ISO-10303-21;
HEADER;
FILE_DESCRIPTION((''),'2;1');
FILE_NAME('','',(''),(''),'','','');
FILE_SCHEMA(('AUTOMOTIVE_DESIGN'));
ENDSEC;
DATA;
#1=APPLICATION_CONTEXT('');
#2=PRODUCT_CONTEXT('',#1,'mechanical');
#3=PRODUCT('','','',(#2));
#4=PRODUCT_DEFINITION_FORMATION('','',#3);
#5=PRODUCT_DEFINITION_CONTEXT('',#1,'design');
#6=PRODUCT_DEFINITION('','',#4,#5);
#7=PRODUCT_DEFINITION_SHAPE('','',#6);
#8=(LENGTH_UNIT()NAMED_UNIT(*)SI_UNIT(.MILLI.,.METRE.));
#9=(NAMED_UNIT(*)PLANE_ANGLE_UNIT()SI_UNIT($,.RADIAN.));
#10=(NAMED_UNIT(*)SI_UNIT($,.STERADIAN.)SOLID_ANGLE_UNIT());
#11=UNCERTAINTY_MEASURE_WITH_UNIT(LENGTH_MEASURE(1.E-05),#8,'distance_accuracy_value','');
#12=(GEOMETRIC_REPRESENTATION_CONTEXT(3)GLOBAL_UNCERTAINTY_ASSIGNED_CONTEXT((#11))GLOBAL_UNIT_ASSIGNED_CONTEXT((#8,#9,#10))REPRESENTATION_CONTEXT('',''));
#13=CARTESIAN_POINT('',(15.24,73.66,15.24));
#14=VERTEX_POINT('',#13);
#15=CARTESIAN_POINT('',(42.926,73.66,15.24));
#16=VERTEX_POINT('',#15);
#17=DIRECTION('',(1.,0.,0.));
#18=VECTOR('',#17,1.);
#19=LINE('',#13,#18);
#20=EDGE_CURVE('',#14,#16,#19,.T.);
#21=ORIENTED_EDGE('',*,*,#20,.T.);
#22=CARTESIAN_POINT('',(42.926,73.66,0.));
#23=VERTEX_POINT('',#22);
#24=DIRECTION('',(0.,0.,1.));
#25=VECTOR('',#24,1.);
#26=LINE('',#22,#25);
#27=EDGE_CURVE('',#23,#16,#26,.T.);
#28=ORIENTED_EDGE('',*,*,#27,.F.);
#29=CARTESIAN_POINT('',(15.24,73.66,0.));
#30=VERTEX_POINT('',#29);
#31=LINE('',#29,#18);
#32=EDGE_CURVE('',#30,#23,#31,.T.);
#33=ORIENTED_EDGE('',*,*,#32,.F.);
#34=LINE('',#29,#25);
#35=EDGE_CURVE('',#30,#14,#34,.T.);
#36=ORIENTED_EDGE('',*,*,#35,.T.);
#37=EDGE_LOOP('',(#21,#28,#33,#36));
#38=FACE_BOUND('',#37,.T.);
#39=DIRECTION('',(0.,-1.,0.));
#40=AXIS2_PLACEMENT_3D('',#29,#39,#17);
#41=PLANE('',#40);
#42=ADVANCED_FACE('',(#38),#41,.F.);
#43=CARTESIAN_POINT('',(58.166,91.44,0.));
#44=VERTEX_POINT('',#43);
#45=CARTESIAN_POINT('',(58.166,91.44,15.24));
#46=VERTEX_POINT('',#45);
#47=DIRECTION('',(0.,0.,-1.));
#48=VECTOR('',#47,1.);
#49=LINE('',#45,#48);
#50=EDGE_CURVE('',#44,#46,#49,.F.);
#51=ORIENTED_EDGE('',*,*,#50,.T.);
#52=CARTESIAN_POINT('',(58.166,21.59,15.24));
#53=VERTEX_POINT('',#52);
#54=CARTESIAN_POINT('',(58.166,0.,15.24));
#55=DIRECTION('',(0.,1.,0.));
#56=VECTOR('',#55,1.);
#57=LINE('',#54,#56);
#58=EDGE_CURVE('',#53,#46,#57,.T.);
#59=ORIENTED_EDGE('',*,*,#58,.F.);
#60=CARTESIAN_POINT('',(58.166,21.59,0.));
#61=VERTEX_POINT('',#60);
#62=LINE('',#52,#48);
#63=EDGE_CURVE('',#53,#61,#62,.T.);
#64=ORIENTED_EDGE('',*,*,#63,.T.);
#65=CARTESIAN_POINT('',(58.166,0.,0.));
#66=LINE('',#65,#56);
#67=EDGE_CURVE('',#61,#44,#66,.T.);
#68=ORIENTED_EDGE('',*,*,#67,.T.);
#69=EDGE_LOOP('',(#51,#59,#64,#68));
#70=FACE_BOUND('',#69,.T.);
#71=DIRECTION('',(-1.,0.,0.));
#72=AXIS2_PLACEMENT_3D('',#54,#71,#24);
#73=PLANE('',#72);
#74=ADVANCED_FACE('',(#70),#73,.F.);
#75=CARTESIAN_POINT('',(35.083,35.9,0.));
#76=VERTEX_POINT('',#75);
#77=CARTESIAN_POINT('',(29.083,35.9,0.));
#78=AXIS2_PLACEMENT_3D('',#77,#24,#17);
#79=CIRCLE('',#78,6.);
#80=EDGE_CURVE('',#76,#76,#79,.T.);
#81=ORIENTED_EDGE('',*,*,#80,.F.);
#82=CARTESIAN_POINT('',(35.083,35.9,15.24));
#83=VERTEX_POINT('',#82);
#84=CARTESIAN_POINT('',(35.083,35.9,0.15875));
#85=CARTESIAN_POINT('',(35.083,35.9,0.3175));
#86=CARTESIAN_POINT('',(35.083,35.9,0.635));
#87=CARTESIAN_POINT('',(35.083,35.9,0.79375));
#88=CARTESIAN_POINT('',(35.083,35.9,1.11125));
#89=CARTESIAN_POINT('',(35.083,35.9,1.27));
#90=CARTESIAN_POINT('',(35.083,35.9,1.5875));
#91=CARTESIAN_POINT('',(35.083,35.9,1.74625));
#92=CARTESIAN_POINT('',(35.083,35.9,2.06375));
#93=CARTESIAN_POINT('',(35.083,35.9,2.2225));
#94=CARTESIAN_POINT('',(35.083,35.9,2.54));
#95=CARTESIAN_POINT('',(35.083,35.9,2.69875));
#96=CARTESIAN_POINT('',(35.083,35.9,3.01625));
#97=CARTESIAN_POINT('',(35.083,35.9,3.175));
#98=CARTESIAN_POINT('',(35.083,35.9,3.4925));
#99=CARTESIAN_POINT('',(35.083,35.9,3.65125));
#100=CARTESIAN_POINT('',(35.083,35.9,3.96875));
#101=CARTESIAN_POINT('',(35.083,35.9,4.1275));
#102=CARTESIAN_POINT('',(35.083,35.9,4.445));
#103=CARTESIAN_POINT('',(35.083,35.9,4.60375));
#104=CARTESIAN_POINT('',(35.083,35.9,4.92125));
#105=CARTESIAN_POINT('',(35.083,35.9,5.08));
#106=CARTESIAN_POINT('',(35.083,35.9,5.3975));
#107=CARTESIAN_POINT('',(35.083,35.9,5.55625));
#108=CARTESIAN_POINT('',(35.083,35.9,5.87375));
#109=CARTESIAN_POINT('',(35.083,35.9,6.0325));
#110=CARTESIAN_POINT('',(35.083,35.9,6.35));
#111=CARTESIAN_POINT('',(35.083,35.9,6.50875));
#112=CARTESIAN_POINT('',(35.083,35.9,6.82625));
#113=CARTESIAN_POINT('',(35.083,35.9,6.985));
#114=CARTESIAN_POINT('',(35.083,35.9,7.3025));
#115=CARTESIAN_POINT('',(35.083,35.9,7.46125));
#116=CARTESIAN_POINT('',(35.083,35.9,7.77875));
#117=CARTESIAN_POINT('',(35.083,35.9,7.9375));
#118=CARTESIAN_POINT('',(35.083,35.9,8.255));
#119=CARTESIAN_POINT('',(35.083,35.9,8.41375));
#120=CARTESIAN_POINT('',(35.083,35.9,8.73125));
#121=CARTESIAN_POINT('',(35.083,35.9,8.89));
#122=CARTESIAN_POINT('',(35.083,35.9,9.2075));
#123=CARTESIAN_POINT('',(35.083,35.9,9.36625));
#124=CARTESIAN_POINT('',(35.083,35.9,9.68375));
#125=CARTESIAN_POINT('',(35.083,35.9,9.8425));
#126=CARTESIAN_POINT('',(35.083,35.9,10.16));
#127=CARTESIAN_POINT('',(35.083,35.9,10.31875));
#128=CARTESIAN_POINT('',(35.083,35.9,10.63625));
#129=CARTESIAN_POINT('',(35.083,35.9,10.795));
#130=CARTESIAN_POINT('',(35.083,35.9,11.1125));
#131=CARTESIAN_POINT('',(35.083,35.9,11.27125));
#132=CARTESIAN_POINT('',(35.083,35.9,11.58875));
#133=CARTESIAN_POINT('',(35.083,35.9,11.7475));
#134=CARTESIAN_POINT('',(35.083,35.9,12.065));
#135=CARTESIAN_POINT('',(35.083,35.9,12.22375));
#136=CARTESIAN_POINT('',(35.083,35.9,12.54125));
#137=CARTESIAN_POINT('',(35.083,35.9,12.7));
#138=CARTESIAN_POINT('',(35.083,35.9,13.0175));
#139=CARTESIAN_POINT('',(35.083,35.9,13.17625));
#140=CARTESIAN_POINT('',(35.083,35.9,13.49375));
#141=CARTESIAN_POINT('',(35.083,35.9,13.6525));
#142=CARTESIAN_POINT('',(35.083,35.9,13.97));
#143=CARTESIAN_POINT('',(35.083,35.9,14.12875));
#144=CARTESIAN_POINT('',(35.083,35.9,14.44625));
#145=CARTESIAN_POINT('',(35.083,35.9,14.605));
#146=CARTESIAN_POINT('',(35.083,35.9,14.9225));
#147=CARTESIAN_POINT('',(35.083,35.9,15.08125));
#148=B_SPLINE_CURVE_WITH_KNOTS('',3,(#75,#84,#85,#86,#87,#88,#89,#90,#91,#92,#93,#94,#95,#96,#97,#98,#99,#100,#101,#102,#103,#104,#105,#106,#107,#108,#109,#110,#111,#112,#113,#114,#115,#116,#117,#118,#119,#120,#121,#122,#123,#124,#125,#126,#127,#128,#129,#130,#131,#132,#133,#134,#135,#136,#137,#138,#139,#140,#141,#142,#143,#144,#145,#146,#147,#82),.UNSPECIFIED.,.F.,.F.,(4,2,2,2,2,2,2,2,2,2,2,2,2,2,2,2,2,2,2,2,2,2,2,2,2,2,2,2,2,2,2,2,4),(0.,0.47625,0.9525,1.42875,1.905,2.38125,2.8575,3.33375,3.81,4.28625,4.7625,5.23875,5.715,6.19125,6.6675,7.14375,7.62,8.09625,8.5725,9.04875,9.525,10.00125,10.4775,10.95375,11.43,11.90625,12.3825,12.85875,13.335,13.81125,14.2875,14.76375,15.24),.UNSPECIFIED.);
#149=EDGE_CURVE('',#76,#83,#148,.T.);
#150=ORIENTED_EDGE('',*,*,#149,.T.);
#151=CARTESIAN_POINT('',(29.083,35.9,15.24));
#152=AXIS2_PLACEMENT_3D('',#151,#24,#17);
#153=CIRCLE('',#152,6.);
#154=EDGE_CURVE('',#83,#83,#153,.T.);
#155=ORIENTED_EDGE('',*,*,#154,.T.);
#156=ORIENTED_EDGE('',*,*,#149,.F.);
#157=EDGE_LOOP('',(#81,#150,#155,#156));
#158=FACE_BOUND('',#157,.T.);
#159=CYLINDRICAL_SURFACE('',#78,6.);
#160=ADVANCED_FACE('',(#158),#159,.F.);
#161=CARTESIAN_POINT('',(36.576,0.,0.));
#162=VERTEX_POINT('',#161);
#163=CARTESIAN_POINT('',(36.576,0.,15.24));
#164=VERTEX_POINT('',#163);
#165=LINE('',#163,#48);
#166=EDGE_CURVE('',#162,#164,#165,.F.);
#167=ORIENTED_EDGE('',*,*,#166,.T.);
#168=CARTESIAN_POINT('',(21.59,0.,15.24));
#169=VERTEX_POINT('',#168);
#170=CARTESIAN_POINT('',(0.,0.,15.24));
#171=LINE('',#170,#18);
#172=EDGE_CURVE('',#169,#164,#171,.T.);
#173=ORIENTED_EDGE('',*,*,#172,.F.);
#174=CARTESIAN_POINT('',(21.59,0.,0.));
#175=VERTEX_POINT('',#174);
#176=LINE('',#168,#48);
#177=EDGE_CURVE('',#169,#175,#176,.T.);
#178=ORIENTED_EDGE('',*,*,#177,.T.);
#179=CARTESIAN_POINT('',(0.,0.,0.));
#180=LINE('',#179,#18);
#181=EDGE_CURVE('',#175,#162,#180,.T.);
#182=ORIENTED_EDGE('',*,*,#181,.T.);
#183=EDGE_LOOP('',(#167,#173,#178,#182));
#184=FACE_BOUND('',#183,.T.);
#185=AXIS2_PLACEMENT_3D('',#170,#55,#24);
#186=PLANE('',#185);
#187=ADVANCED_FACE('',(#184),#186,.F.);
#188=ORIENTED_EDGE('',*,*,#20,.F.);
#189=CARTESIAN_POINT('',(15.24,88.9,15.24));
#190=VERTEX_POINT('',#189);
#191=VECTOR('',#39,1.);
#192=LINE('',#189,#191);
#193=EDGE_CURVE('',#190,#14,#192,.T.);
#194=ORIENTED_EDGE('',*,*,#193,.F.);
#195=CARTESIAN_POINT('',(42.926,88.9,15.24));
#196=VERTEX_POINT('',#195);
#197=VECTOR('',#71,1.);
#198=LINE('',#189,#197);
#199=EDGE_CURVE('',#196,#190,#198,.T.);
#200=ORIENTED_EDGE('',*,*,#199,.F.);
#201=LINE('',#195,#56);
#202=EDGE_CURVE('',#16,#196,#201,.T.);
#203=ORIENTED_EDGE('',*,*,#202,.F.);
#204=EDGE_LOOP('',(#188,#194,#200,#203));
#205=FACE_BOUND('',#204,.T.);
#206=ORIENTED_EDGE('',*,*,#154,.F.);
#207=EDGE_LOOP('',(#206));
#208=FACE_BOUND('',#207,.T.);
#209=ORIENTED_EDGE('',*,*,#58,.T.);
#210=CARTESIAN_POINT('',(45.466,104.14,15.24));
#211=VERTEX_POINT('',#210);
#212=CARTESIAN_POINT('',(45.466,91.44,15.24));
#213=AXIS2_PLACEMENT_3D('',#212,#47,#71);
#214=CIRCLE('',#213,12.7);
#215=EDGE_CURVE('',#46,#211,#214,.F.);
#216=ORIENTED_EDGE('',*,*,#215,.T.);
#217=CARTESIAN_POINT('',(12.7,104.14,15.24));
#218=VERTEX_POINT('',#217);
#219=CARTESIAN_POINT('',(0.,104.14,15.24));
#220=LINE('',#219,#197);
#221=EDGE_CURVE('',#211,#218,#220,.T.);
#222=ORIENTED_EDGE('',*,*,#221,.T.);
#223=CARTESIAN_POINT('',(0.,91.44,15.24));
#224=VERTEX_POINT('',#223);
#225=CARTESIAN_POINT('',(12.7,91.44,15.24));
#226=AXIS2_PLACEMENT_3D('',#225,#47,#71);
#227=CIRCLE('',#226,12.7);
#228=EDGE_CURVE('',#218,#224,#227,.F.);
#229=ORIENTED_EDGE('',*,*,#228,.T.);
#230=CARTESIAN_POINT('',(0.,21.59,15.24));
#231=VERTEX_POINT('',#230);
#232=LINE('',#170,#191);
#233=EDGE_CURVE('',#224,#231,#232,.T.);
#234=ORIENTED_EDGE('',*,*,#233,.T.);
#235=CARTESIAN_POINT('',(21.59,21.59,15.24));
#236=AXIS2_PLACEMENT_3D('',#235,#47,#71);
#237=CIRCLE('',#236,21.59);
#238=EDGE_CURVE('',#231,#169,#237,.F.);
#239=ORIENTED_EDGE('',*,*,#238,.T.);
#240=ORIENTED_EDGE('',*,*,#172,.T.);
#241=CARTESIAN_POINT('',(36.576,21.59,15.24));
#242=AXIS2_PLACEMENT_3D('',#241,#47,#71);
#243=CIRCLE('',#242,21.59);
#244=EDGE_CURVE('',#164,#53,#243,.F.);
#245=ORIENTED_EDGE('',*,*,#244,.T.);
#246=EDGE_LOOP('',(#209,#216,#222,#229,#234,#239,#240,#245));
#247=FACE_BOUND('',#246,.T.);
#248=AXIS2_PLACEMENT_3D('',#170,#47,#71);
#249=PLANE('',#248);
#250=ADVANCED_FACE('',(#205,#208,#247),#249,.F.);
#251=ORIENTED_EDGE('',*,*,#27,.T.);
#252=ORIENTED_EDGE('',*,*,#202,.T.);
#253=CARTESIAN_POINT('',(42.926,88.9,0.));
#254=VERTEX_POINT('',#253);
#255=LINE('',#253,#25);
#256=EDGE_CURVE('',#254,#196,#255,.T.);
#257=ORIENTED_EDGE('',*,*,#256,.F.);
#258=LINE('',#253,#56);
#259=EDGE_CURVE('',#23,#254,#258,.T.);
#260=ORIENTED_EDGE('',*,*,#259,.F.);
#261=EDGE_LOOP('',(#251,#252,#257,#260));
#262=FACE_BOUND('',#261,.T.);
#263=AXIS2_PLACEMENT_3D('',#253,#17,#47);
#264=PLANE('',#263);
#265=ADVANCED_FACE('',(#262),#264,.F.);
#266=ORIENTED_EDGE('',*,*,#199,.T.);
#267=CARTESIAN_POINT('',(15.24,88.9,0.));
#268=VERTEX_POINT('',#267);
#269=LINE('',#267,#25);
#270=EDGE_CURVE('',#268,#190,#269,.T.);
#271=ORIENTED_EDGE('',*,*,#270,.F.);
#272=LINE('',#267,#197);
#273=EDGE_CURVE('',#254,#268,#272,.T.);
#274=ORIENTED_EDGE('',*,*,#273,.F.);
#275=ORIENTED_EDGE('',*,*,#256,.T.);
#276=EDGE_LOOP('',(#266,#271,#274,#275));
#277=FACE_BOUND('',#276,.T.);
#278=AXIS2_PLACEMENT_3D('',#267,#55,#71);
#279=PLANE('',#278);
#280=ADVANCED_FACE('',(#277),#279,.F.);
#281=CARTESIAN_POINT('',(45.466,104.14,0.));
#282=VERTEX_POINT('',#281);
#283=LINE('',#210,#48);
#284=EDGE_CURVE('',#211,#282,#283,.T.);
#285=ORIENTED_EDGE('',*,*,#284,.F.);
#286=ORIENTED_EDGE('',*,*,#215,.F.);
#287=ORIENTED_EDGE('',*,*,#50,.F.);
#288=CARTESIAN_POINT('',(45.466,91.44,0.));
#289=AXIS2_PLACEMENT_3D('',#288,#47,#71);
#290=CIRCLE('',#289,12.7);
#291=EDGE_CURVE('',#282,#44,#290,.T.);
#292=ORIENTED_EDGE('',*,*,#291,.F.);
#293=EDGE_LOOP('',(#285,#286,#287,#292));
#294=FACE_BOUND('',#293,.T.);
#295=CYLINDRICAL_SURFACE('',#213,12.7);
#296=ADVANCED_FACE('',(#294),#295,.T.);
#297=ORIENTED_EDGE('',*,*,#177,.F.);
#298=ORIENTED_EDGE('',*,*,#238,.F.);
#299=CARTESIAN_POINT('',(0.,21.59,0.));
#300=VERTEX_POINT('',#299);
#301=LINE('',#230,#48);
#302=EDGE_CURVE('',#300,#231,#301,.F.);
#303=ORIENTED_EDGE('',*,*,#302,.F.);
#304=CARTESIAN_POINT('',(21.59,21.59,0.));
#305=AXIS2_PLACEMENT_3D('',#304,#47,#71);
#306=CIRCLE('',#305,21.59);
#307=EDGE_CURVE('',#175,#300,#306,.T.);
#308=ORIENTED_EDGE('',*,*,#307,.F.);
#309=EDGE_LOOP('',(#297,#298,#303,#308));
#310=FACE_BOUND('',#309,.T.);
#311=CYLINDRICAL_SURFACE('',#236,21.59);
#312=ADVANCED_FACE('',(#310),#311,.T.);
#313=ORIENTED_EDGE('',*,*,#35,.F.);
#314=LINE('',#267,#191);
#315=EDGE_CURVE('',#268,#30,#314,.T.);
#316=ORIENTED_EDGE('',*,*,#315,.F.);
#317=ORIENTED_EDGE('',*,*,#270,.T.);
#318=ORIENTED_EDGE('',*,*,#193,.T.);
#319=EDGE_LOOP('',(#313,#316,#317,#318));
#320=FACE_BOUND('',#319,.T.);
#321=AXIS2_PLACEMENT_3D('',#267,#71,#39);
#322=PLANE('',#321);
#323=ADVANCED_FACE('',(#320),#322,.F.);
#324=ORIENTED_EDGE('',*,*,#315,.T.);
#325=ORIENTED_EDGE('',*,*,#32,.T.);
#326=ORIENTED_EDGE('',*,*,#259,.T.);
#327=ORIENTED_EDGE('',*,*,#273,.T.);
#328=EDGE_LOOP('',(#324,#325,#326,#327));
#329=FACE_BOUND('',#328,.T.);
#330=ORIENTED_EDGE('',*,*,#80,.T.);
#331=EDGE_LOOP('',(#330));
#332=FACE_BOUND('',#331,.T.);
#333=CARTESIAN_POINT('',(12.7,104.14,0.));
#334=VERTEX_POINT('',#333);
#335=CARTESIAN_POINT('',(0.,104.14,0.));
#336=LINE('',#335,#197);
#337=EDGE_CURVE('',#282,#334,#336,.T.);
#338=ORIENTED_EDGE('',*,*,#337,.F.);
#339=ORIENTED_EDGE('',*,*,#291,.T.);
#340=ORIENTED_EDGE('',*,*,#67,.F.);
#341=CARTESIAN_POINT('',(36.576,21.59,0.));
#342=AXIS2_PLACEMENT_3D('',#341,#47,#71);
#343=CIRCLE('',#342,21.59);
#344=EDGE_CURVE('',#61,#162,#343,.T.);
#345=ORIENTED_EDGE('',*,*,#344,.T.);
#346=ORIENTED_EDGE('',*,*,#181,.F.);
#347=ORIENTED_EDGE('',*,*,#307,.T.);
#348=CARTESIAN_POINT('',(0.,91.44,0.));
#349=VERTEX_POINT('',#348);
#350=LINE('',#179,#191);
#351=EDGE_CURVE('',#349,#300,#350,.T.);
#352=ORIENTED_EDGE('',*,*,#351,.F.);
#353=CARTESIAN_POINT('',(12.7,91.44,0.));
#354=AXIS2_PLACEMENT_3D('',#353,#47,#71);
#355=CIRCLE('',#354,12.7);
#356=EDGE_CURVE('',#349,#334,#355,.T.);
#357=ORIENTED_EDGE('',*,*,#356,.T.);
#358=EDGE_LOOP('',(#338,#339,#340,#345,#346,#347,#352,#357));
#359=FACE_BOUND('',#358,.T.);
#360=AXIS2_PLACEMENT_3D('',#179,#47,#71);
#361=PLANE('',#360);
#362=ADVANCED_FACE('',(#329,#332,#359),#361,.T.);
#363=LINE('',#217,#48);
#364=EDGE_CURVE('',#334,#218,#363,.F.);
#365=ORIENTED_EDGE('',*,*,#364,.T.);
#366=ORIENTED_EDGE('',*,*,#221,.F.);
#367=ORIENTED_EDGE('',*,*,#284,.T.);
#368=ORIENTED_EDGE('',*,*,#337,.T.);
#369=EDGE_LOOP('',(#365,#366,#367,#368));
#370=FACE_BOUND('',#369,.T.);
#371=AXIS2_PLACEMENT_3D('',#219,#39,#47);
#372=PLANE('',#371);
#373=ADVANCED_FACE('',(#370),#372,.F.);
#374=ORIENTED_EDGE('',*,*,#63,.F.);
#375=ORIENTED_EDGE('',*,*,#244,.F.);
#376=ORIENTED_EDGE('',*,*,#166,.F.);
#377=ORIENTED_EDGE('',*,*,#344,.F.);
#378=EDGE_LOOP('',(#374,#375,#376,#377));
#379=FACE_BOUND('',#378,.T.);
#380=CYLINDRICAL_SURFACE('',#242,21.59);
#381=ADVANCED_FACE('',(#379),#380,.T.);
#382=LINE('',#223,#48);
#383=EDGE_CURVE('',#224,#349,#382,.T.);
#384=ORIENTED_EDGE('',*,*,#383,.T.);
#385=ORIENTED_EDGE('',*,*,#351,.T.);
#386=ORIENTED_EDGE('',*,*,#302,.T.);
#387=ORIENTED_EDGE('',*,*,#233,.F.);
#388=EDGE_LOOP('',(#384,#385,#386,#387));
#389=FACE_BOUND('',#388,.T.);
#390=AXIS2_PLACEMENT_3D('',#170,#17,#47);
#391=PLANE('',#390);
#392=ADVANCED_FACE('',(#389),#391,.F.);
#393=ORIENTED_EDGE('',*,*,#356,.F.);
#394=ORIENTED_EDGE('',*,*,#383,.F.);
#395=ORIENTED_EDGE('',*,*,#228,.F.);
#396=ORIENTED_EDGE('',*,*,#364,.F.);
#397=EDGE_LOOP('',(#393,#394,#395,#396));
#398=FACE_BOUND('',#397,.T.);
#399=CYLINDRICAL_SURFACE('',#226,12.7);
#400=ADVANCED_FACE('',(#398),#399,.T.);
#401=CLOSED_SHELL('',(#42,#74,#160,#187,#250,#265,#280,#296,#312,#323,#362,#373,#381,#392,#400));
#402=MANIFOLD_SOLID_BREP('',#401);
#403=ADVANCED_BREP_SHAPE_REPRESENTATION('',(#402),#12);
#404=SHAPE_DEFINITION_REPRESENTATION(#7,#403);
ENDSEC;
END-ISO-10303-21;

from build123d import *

# Parameters (mm, degrees)
SKETCH1_W           = 58.166
SKETCH1_H           = 104.14
BOSS_EXTRUDE1_DEPTH = 15.24
SKETCH2_W           = 27.686
SKETCH2_H           = 15.24
CUT_EXTRUDE1_DEPTH  = 121.252570684
SKETCH7_R           = 6
CUT_EXTRUDE2_DEPTH  = 121.252570684
FILLET1_R           = 21.59
FILLET2_R           = 12.7


with BuildPart() as part:
    # Sketch1 → Boss-Extrude1 (new body)
    with BuildSketch(Plane.XY):
        with Locations((29.083, 52.07)):
            Rectangle(SKETCH1_W, SKETCH1_H)
    extrude(amount=BOSS_EXTRUDE1_DEPTH)

    # Sketch2 → Cut-Extrude1 (cut, through all)
    with BuildSketch(Plane.XY.offset(15.24)):
        with Locations((29.083, 81.28)):
            Rectangle(SKETCH2_W, SKETCH2_H)
    extrude(amount=-CUT_EXTRUDE1_DEPTH, mode=Mode.SUBTRACT)

    # Sketch7 → Cut-Extrude2 (cut, through all)
    with BuildSketch(Plane.XY.offset(15.24)):
        with Locations((29.083, 35.9)):
            Circle(SKETCH7_R)
    extrude(amount=-CUT_EXTRUDE2_DEPTH, mode=Mode.SUBTRACT)

    # Fillet1
    fillet1_edges = [part.edges().sort_by_distance(p)[0] for p in [
        (58.166, 0, 7.62),
        (0, 0, 7.62),
    ]]
    fillet(fillet1_edges, radius=FILLET1_R)

    # Fillet2
    fillet2_edges = [part.edges().sort_by_distance(p)[0] for p in [
        (0, 104.14, 7.62),
        (58.166, 104.14, 7.62),
    ]]
    fillet(fillet2_edges, radius=FILLET2_R)


solid = part.part
